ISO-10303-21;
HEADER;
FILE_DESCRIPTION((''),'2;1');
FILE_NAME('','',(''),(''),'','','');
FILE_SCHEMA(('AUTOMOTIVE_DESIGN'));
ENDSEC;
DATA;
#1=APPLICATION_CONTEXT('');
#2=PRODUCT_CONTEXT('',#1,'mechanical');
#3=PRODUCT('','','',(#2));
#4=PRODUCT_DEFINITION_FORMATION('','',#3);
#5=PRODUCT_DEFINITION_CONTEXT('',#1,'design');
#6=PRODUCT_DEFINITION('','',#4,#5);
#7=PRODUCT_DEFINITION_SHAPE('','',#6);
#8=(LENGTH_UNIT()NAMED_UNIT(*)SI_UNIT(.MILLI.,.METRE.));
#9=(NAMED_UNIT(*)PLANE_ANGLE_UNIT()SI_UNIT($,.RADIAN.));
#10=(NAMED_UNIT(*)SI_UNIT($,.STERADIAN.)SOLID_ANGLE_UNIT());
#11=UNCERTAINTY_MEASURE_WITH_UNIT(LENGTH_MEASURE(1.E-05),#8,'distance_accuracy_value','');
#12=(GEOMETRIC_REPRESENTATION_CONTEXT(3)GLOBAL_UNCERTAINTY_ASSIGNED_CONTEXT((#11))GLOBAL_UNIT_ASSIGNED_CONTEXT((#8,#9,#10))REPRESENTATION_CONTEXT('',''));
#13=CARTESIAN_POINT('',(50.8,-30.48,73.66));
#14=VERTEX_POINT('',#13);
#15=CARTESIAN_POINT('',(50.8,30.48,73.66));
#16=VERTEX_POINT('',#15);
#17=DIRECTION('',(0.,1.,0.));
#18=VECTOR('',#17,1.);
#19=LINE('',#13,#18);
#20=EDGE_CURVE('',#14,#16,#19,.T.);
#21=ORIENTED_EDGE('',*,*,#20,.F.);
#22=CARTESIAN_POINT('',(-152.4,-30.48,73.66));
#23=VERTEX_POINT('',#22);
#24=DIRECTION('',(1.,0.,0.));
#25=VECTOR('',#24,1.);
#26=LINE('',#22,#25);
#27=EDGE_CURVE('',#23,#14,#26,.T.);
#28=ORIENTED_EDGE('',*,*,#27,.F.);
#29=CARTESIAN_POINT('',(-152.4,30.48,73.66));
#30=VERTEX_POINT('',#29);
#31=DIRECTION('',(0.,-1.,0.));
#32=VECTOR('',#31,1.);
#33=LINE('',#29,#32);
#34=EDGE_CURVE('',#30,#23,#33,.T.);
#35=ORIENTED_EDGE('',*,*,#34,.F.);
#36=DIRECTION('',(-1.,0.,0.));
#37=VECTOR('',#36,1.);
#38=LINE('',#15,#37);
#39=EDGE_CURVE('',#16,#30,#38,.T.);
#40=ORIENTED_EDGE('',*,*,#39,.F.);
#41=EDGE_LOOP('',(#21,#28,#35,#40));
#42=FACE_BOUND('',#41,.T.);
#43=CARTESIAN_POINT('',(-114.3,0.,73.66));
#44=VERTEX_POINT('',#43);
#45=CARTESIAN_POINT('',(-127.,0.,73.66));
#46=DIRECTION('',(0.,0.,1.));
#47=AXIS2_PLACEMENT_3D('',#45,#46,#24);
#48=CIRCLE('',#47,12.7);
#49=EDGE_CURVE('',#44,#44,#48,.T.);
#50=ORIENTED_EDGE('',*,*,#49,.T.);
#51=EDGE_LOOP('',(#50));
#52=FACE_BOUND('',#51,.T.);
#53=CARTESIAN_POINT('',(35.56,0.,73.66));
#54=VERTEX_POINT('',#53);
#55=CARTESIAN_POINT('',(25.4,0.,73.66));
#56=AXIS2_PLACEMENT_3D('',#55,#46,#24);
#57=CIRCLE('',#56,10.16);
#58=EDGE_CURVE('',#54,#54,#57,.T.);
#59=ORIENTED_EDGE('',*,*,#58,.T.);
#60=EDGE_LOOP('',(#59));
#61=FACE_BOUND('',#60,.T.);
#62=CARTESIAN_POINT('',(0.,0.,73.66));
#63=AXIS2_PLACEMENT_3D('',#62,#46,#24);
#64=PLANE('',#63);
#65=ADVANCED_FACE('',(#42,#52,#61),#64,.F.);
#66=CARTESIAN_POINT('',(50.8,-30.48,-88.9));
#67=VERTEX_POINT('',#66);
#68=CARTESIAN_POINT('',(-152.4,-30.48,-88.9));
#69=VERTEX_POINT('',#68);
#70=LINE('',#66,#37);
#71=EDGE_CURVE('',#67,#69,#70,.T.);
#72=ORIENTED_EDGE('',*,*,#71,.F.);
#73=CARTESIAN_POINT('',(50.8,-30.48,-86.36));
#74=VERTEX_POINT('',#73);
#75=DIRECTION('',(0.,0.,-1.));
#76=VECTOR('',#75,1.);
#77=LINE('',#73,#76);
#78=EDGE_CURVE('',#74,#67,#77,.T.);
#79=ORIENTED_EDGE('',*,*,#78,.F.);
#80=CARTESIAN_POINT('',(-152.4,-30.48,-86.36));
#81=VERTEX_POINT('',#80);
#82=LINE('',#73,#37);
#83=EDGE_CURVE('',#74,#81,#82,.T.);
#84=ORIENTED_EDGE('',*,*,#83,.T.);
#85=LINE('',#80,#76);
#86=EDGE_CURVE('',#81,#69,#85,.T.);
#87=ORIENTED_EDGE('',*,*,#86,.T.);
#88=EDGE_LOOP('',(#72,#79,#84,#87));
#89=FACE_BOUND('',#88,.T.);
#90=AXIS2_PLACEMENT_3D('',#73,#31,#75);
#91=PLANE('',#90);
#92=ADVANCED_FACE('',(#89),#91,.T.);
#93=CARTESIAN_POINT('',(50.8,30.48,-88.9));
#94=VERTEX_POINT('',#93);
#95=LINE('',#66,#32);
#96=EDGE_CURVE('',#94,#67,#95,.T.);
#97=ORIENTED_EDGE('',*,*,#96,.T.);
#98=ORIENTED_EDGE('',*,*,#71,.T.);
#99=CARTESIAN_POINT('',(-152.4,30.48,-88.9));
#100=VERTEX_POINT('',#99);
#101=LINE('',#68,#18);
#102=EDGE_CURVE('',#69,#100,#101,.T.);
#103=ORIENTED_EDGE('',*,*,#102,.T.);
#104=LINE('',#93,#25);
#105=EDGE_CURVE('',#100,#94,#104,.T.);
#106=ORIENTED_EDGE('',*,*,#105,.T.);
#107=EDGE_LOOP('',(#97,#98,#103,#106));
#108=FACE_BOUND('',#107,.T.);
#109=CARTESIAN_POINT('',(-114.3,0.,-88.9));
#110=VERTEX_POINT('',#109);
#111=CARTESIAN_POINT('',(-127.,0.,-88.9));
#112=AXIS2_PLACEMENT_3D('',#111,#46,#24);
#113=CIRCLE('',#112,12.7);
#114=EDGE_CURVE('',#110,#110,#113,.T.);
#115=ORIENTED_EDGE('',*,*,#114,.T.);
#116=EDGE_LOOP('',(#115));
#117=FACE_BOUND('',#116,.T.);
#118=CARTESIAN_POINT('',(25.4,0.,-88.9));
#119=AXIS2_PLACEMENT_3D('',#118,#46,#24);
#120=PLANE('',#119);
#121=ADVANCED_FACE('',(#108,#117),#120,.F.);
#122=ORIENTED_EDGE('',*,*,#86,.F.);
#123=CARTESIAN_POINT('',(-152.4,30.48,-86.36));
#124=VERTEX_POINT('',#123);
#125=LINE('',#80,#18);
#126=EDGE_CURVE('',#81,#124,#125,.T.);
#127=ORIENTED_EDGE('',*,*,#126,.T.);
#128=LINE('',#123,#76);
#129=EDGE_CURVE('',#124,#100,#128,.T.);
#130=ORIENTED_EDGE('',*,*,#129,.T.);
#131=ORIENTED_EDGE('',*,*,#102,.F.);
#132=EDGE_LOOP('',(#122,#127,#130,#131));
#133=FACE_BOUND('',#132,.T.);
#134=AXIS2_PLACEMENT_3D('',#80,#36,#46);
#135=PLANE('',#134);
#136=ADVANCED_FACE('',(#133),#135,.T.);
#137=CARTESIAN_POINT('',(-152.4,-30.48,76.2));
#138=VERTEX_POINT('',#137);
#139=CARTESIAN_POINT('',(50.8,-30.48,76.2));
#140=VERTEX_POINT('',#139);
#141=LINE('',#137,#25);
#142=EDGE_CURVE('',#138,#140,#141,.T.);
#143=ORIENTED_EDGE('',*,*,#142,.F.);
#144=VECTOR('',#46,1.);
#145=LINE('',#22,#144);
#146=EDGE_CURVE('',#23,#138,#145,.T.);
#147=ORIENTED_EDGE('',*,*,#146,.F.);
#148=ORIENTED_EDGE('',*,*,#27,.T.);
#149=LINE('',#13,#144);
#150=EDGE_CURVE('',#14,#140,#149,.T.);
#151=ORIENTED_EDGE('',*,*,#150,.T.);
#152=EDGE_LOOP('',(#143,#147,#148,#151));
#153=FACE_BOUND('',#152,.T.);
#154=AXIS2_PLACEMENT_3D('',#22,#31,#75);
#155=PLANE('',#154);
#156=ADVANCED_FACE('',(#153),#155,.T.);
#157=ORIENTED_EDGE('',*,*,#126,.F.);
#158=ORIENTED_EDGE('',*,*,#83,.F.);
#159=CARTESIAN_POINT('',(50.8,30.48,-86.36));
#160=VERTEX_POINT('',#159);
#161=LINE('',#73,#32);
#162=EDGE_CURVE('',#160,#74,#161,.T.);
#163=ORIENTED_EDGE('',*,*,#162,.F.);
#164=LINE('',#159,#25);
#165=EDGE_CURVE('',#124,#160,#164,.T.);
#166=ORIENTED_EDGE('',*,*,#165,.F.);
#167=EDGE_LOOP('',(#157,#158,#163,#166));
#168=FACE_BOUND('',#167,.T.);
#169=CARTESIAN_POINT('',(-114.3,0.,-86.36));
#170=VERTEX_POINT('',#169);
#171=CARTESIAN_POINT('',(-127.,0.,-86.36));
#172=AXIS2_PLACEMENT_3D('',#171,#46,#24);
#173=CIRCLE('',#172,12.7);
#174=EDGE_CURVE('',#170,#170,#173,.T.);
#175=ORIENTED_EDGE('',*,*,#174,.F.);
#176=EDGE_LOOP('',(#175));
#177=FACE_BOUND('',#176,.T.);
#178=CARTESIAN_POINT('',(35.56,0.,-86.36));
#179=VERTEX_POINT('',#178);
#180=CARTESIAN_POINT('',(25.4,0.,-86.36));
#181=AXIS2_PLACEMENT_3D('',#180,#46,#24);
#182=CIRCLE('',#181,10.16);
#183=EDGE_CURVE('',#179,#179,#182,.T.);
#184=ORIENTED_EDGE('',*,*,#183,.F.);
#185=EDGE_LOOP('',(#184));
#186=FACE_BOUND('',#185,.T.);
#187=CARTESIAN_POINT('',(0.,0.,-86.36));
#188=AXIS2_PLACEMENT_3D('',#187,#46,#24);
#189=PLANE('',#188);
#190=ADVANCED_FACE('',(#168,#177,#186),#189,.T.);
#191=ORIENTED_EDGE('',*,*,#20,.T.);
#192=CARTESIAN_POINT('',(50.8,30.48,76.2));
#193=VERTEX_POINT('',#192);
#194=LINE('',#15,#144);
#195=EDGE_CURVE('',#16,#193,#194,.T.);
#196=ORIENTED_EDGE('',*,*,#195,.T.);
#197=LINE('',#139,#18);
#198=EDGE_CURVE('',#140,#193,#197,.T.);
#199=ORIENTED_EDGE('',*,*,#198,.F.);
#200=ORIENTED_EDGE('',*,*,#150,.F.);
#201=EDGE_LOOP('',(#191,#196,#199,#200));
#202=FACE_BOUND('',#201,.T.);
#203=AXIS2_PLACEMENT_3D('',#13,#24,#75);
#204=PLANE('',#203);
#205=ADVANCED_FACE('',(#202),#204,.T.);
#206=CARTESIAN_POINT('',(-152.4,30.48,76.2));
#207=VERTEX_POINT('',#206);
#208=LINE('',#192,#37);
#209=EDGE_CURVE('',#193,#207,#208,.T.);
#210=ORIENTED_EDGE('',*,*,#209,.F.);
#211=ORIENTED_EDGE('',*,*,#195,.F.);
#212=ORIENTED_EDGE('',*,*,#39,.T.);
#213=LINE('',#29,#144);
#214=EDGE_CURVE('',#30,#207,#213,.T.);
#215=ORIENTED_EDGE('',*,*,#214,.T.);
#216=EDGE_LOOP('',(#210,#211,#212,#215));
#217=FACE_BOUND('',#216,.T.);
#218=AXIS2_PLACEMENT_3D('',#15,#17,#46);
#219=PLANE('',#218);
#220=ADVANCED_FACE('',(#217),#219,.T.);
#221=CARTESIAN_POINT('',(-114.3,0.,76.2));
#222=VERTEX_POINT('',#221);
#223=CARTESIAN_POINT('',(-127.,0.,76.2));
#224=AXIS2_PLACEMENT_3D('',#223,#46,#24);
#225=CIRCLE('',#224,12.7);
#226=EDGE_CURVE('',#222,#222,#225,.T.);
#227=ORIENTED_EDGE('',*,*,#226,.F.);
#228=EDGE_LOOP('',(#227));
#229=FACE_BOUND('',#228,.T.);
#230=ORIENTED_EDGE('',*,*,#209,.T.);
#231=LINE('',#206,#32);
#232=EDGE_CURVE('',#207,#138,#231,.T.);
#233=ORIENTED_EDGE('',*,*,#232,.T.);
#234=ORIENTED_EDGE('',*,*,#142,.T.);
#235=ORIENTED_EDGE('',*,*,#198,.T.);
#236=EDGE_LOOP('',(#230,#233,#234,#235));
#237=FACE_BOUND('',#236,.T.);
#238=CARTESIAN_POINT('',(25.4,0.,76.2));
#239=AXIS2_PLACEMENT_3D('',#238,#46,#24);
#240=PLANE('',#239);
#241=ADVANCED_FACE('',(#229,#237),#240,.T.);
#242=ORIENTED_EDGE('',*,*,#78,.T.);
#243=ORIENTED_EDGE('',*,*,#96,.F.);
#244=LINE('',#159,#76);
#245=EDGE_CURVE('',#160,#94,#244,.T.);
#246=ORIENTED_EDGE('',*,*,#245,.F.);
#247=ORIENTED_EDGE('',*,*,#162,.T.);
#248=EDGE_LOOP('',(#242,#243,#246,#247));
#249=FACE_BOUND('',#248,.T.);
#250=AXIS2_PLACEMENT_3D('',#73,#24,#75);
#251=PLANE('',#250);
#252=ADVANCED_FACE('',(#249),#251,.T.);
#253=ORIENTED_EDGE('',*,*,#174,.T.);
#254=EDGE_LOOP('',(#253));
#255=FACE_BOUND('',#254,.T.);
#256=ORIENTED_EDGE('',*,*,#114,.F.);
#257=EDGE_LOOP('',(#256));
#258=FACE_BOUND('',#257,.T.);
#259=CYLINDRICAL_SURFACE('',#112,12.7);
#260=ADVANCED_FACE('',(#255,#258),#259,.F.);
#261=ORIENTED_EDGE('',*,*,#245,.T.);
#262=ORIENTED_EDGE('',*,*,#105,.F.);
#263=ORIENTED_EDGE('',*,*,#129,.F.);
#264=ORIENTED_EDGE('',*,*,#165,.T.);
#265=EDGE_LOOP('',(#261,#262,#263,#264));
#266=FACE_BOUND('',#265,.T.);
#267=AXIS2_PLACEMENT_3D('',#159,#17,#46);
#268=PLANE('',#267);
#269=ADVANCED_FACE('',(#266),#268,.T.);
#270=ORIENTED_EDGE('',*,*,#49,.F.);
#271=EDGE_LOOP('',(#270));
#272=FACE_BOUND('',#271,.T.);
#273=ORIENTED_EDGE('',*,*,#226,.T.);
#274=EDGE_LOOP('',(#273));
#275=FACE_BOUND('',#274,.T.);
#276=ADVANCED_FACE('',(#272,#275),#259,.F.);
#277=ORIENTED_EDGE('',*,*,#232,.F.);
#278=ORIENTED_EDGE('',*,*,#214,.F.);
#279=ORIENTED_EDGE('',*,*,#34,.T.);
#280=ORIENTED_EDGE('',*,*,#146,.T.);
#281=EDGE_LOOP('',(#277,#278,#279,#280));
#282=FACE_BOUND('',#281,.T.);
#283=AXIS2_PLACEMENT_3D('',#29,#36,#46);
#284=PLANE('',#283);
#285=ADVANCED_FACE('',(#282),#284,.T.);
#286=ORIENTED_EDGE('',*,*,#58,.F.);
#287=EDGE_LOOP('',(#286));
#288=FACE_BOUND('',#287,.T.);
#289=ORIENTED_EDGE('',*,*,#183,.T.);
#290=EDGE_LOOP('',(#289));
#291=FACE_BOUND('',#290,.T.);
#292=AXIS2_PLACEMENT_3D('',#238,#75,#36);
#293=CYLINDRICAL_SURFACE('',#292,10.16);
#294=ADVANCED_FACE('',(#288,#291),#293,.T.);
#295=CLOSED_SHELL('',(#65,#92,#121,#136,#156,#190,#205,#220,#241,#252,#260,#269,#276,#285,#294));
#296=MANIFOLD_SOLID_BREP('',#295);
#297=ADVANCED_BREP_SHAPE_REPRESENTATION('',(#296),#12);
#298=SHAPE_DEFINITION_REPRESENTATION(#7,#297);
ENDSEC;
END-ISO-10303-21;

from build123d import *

# Parameters (mm, degrees)
BOSS_EXTRUDE1_DEPTH      = 76.2
BOSS_EXTRUDE1_DEPTH_BACK = 88.9
SKETCH4_R                = 10.16
SKETCH7_W                = 203.2
SKETCH7_H                = 60.96
BOSS_EXTRUDE2_DEPTH      = 2.54
SKETCH8_W                = 203.2
SKETCH8_H                = 60.96
BOSS_EXTRUDE3_DEPTH      = 2.54
SKETCH9_R                = 12.7
CUT_EXTRUDE1_DEPTH       = 227.74390929


with BuildPart() as part:
    # Sketch4 → Boss-Extrude1 (new, two sides: drawn at the far end of the back side and taken through both)
    with BuildSketch(Plane.XY.offset(-BOSS_EXTRUDE1_DEPTH_BACK)):
        with Locations((25.4, 0)):
            Circle(SKETCH4_R)
    extrude(amount=BOSS_EXTRUDE1_DEPTH + BOSS_EXTRUDE1_DEPTH_BACK)

    # Sketch7 → Boss-Extrude2 (add)
    with BuildSketch(Plane(origin=(0, 0, -88.9), x_dir=(-1, 0, 0), z_dir=(0, 0, -1))):
        with Locations((50.8, 0)):
            Rectangle(SKETCH7_W, SKETCH7_H)
    extrude(amount=-BOSS_EXTRUDE2_DEPTH)

    # Sketch8 → Boss-Extrude3 (add)
    with BuildSketch(Plane.XY.offset(76.2)):
        with Locations((-50.8, 0)):
            Rectangle(SKETCH8_W, SKETCH8_H)
    extrude(amount=-BOSS_EXTRUDE3_DEPTH)

    # Sketch9 → Cut-Extrude1 (cut, through all)
    with BuildSketch(Plane.XY.offset(76.2)):
        with Locations((-127, 0)):
            Circle(SKETCH9_R)
    extrude(amount=-CUT_EXTRUDE1_DEPTH, mode=Mode.SUBTRACT)


solid = part.part
